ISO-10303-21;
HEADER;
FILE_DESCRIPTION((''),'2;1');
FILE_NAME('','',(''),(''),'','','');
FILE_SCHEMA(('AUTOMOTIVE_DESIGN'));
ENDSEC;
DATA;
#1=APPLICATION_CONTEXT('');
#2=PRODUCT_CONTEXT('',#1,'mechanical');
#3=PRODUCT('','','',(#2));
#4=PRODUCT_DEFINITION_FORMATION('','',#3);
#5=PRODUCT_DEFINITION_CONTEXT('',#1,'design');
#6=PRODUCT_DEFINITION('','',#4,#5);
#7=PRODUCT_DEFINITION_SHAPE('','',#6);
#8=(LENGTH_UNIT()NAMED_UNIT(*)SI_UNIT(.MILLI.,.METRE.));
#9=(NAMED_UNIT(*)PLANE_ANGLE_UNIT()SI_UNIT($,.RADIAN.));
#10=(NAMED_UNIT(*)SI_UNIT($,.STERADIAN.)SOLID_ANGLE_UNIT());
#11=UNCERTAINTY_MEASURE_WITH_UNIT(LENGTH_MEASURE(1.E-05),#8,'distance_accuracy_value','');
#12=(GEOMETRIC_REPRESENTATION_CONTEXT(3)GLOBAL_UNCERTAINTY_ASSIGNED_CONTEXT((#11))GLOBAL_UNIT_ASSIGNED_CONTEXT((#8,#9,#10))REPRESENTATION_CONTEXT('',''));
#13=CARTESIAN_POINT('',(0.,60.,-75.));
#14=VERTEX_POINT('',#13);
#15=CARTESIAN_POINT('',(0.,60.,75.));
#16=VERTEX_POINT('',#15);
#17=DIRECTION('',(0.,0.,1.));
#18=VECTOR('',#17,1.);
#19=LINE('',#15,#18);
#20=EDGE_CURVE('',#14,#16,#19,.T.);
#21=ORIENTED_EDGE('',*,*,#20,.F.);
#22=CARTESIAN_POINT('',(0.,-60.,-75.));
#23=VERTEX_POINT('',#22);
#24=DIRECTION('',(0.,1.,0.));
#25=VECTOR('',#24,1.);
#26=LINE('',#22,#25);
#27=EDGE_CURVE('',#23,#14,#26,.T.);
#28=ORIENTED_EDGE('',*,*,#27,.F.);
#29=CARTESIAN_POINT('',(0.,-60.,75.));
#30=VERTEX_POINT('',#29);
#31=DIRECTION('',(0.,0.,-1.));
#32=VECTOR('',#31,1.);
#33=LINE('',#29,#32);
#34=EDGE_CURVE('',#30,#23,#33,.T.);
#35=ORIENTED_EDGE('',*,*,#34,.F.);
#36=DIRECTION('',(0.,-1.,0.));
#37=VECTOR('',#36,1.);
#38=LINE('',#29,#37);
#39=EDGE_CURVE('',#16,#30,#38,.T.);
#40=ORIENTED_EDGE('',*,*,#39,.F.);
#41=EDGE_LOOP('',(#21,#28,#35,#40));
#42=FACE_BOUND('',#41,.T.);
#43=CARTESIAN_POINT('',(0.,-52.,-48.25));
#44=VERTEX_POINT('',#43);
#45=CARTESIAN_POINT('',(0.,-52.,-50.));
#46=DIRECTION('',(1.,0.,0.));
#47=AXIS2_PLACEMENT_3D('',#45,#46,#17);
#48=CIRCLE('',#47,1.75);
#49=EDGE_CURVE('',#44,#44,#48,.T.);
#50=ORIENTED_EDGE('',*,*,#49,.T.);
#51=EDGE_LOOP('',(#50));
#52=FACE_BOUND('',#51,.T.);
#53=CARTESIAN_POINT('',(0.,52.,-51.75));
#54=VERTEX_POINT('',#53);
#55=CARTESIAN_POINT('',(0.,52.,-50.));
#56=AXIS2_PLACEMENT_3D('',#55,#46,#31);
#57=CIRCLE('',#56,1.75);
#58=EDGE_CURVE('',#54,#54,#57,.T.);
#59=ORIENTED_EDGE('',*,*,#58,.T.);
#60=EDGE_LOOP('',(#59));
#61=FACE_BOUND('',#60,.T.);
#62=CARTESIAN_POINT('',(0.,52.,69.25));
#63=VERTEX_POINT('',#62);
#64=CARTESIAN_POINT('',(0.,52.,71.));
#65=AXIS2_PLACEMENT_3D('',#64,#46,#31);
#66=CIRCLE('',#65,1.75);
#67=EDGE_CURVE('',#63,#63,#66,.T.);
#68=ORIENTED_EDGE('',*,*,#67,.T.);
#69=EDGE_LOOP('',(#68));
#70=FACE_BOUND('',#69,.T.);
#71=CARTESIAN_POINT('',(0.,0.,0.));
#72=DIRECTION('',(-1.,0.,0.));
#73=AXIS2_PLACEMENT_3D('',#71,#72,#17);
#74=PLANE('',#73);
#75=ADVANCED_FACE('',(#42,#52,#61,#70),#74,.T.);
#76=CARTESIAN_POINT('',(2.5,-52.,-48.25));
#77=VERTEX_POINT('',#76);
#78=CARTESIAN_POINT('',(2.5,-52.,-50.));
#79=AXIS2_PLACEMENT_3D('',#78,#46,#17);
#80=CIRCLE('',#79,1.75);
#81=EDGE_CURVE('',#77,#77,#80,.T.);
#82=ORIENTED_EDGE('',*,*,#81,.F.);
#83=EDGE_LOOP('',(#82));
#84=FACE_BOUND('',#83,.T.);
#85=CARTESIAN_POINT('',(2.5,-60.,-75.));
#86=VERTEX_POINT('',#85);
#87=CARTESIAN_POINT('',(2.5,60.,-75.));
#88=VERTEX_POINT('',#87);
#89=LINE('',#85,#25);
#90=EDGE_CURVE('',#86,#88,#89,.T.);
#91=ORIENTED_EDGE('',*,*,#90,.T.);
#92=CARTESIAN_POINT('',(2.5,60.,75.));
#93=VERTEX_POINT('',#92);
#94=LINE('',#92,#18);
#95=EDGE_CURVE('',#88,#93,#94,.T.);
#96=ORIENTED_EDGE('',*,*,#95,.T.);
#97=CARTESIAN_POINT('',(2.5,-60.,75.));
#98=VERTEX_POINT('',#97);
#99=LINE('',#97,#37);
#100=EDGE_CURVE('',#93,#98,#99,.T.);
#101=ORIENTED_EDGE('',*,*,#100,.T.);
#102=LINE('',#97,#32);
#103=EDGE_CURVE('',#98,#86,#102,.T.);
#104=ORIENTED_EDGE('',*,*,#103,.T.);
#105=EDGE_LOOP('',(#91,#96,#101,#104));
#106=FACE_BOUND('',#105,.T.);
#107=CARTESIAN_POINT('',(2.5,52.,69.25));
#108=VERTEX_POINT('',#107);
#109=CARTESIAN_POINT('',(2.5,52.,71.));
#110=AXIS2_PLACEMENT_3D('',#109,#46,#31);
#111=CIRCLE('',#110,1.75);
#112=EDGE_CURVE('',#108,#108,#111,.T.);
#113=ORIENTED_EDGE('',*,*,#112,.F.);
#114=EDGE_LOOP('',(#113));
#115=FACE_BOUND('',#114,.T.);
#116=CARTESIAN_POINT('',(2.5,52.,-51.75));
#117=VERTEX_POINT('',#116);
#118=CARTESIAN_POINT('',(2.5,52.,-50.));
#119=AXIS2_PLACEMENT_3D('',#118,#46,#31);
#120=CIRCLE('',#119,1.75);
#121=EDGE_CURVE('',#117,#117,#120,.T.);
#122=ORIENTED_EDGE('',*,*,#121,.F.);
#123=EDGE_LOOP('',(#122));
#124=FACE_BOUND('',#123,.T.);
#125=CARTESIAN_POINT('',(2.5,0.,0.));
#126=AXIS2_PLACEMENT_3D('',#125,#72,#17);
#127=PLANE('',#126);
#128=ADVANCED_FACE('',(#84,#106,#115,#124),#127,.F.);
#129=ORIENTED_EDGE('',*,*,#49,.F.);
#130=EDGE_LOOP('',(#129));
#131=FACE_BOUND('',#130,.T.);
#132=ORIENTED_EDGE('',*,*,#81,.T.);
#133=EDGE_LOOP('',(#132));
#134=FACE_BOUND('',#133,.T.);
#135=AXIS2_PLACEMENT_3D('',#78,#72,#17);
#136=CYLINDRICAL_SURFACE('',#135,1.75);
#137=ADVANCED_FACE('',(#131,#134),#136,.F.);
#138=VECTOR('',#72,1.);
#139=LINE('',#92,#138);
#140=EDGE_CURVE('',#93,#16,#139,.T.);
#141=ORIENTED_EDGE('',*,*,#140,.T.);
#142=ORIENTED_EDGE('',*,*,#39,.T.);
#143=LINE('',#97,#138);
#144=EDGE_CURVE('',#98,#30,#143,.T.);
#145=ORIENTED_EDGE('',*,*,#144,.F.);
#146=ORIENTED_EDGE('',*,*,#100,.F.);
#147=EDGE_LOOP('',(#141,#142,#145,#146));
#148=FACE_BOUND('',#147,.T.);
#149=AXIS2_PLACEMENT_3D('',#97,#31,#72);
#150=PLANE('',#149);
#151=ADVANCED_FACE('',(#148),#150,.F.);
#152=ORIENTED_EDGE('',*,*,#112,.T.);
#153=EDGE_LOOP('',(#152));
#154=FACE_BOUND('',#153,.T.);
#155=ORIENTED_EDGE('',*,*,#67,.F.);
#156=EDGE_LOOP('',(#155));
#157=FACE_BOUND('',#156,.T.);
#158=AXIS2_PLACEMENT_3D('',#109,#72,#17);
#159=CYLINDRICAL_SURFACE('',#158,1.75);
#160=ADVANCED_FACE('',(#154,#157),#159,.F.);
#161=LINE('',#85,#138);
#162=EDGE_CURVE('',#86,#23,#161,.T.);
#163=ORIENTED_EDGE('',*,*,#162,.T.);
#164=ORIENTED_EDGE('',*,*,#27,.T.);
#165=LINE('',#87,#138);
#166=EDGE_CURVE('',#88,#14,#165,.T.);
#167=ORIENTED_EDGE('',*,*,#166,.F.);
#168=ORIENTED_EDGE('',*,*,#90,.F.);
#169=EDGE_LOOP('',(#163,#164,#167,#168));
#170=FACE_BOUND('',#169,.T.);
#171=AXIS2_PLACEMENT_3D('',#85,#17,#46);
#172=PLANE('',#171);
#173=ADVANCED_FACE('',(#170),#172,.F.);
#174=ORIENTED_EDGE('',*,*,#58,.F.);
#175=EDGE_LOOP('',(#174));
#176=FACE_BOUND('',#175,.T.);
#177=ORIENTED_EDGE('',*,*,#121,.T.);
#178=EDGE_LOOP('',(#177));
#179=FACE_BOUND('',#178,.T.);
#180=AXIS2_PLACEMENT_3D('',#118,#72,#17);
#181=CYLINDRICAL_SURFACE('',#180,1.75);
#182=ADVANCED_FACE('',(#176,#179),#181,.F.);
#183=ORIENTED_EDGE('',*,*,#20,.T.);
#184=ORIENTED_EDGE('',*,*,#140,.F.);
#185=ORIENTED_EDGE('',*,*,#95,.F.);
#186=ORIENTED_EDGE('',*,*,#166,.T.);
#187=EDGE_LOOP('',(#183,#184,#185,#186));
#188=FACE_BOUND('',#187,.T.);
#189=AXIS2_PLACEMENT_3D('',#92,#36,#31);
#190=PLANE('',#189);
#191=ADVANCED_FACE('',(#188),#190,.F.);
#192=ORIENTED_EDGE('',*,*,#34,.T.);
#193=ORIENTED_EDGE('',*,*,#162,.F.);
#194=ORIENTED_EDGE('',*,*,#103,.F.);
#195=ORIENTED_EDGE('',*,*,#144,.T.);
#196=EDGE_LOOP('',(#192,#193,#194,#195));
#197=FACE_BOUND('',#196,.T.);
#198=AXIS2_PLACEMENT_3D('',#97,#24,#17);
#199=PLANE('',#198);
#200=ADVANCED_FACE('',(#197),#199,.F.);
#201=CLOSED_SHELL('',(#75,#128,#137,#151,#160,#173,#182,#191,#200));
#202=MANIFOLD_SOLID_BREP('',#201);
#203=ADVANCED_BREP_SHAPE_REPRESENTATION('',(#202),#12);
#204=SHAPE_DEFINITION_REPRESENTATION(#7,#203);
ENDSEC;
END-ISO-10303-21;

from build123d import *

# Parameters (mm, degrees)
SKETCH1_W           = 150
SKETCH1_H           = 120
SKETCH1_R           = 1.75
BOSS_EXTRUDE1_DEPTH = 2.5


with BuildPart() as part:
    # Sketch1 → Boss-Extrude1 (new body)
    with BuildSketch(Plane(origin=(0, 0, 0), x_dir=(0, 0, -1), z_dir=(1, 0, 0))):
        Rectangle(SKETCH1_W, SKETCH1_H)
        with Locations((50, 52)):
            Circle(SKETCH1_R, mode=Mode.SUBTRACT)
        with Locations((-71, 52)):
            Circle(SKETCH1_R, mode=Mode.SUBTRACT)
        with Locations(Location((50, -52, 0), (0, 0, 180))):
            Circle(SKETCH1_R, mode=Mode.SUBTRACT)
    extrude(amount=BOSS_EXTRUDE1_DEPTH)


solid = part.part
